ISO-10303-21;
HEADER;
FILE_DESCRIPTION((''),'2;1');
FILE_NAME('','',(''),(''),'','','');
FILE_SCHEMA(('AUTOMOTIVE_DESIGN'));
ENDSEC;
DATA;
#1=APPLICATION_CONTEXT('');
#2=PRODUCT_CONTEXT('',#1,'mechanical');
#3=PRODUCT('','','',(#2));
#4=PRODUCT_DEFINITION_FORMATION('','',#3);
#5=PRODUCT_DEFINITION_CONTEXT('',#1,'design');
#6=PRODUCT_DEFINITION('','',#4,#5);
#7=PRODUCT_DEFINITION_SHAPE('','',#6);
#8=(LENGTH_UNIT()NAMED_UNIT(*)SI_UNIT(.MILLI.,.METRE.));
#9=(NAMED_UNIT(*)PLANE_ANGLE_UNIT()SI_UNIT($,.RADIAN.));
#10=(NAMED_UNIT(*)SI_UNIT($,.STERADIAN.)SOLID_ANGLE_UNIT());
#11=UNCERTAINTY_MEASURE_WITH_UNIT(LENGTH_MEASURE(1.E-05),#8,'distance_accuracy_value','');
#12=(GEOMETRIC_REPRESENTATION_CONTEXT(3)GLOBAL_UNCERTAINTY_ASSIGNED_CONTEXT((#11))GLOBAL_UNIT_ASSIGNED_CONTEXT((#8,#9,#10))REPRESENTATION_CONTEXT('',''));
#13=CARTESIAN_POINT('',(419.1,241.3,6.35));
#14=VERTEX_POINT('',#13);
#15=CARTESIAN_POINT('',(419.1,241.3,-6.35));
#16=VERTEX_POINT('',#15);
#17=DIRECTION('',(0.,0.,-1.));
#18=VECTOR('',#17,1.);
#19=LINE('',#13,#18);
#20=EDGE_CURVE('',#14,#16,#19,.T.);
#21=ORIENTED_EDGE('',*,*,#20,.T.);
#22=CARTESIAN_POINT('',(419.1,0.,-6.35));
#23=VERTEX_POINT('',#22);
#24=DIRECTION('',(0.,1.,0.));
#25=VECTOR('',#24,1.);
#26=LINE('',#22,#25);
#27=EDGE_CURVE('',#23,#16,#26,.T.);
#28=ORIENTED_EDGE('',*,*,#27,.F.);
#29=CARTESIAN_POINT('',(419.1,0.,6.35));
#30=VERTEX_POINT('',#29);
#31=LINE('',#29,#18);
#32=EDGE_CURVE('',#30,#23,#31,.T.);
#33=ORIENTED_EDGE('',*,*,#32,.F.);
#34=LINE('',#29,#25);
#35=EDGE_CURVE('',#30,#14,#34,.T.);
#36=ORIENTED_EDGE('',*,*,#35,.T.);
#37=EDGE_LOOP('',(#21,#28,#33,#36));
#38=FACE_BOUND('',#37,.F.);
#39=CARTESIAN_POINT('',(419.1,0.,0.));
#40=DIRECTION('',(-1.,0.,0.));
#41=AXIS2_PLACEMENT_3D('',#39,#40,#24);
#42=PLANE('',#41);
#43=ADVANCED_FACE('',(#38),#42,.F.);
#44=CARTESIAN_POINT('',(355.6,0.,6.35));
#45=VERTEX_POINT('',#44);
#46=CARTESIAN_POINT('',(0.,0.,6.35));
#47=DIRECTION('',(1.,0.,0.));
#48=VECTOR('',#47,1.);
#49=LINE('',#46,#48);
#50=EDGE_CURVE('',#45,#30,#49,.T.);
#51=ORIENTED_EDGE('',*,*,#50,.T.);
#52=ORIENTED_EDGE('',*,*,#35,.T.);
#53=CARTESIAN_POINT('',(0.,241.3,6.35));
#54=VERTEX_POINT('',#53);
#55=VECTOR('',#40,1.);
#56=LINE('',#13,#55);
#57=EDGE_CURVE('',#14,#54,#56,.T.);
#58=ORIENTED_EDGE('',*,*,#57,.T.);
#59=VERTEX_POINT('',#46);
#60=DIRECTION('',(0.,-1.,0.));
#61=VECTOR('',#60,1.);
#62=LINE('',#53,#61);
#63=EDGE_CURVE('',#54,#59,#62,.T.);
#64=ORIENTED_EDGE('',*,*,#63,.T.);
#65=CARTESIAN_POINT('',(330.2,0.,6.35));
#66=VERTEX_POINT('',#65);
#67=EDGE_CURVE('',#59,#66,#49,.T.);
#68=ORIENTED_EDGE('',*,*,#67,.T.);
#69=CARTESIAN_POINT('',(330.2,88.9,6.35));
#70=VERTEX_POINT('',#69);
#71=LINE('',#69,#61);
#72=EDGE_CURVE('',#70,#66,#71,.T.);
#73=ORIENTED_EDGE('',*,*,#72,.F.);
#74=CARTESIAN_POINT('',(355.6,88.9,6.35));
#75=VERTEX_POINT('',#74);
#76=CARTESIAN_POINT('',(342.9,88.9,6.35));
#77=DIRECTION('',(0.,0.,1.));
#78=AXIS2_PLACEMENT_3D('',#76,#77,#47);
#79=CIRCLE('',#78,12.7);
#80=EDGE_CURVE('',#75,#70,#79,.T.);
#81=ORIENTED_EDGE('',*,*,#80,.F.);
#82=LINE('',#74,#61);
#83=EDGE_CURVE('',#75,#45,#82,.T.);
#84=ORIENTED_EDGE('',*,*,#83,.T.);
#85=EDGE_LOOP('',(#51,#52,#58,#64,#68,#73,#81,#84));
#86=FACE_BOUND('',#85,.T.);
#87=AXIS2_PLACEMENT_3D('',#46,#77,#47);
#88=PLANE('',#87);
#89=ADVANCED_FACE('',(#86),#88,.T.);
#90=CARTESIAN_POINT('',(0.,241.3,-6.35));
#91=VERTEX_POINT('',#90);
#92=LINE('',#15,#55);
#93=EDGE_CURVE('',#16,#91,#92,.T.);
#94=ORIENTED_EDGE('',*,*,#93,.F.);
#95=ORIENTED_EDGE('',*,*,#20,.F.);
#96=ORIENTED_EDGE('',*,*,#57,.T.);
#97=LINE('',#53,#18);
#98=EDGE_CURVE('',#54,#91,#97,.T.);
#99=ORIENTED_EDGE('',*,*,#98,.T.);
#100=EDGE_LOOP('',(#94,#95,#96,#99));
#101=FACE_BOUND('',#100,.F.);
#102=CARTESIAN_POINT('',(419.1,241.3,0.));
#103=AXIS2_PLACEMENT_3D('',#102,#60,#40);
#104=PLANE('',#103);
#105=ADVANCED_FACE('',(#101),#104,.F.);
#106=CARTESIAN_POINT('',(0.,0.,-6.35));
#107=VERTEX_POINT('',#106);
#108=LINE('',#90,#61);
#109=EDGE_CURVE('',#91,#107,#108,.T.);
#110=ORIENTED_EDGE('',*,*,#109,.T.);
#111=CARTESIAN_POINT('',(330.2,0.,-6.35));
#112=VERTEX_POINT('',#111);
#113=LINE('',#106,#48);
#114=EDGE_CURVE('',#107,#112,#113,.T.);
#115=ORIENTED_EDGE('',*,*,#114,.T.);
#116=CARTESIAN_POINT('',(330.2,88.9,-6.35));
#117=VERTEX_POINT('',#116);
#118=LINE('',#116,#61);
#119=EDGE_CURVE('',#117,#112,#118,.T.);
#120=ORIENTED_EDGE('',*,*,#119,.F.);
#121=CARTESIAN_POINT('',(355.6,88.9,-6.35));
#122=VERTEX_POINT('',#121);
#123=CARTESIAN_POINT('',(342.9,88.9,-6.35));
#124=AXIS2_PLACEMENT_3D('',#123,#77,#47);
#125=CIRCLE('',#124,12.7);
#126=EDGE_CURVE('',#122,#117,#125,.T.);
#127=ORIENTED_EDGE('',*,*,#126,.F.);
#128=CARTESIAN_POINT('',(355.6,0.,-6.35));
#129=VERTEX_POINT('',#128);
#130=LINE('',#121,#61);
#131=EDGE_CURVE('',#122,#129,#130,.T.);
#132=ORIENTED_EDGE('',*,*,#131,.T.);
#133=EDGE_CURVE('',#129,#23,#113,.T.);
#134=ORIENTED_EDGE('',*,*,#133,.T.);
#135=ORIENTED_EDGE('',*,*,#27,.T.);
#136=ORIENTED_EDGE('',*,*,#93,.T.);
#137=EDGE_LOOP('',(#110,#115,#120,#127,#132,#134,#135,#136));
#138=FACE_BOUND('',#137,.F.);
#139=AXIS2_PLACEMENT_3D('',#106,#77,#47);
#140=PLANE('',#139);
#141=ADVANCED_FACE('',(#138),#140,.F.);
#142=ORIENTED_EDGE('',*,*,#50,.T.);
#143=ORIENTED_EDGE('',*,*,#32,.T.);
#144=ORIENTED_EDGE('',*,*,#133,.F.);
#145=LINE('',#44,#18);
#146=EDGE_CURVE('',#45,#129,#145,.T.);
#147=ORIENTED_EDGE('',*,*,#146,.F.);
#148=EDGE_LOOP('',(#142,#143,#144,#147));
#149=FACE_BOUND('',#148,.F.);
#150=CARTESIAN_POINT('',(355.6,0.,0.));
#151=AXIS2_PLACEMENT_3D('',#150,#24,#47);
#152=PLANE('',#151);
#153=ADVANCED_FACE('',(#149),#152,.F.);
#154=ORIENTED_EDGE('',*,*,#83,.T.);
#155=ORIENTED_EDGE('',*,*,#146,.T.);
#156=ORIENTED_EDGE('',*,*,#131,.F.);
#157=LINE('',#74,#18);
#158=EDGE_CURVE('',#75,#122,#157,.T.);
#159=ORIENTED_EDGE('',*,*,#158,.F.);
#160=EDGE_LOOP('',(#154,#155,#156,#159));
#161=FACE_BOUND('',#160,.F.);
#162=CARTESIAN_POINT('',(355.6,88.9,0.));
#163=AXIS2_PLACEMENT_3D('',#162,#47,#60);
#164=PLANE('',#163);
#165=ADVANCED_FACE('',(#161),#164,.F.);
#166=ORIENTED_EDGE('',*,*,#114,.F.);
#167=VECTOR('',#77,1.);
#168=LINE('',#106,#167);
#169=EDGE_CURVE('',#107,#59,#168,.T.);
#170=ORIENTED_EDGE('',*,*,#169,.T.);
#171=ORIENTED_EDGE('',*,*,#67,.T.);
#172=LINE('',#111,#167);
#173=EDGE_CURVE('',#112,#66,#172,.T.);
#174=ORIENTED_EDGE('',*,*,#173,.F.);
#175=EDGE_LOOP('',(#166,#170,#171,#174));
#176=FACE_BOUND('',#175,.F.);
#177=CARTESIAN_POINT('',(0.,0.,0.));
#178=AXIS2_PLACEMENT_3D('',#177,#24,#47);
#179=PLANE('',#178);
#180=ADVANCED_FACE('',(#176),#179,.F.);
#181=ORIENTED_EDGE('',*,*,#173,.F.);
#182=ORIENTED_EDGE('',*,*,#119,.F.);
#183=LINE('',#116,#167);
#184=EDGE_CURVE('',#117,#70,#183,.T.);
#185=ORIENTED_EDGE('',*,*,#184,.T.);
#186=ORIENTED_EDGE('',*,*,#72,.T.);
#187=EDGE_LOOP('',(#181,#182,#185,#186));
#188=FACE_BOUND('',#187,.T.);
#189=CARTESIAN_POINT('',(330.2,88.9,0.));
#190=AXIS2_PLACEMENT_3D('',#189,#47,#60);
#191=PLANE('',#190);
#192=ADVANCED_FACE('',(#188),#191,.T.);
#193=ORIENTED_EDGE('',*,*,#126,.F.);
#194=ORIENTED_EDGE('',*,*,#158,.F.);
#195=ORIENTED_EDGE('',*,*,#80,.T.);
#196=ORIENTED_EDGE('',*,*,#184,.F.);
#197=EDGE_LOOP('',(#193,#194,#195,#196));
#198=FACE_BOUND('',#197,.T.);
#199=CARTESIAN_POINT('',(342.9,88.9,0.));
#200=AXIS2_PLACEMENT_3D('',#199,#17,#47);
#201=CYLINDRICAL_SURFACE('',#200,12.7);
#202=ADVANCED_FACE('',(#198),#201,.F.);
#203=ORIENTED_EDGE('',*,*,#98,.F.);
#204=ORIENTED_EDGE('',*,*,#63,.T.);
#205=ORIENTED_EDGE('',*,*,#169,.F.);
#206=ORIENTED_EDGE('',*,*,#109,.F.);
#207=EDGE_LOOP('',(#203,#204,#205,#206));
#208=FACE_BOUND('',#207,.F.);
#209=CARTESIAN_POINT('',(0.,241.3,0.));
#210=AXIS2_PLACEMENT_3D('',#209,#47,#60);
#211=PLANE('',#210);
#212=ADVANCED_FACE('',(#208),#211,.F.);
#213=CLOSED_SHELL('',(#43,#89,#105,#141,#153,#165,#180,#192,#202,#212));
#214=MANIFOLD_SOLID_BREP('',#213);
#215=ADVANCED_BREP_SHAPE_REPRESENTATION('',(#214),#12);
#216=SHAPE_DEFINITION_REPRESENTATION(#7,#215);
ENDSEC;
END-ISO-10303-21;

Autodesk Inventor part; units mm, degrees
ref_plane "YZ Plane" through (0, 0, 0) normal (1, 0, 0) x (0, 1, 0)
ref_plane "XZ Plane" through (0, 0, 0) normal (0, 1, 0) x (-1, 0, 0)
ref_plane "XY Plane" through (0, 0, 0) normal (0, 0, 1) x (1, 0, 0)
sketch "Sketch1" plane through (0, 0, 0) normal (0, 0, 1) x (1, 0, 0)
  line L0 (0, 0) -> (419.1, 0)
  line L1 (419.1, 0) -> (419.1, 241.3)
  line L2 (419.1, 241.3) -> (0, 241.3)
  line L3 (0, 241.3) -> (0, 0)
  circle A0 centre (342.9, 88.9) radius 12.7
  line L4 (330.2, 88.9) -> (330.2, 0)
  line L5 (355.6, 88.9) -> (355.6, 0)
  dimension "d0" = 419.1
  dimension "d1" = 241.3
  dimension "d2" = 25.4
  dimension "d3" = 76.2
  dimension "d4" = 88.9
  dimension "d5" = 88.9
extrude "Extrusion1" add sketch "Sketch1" along normal mid plane 12.7 contours L3 L2 L1 L0 L5 A0 L4
equation "\"d0\" = Length"
equation "\"d1\" = Height"
equation "\"d6\" = Thickness"
equation "\"Length\" = 419.1"
equation "\"Height\" = 241.3"
equation "\"Thickness\" = 12.7"
properties part number "InsideRWall"
